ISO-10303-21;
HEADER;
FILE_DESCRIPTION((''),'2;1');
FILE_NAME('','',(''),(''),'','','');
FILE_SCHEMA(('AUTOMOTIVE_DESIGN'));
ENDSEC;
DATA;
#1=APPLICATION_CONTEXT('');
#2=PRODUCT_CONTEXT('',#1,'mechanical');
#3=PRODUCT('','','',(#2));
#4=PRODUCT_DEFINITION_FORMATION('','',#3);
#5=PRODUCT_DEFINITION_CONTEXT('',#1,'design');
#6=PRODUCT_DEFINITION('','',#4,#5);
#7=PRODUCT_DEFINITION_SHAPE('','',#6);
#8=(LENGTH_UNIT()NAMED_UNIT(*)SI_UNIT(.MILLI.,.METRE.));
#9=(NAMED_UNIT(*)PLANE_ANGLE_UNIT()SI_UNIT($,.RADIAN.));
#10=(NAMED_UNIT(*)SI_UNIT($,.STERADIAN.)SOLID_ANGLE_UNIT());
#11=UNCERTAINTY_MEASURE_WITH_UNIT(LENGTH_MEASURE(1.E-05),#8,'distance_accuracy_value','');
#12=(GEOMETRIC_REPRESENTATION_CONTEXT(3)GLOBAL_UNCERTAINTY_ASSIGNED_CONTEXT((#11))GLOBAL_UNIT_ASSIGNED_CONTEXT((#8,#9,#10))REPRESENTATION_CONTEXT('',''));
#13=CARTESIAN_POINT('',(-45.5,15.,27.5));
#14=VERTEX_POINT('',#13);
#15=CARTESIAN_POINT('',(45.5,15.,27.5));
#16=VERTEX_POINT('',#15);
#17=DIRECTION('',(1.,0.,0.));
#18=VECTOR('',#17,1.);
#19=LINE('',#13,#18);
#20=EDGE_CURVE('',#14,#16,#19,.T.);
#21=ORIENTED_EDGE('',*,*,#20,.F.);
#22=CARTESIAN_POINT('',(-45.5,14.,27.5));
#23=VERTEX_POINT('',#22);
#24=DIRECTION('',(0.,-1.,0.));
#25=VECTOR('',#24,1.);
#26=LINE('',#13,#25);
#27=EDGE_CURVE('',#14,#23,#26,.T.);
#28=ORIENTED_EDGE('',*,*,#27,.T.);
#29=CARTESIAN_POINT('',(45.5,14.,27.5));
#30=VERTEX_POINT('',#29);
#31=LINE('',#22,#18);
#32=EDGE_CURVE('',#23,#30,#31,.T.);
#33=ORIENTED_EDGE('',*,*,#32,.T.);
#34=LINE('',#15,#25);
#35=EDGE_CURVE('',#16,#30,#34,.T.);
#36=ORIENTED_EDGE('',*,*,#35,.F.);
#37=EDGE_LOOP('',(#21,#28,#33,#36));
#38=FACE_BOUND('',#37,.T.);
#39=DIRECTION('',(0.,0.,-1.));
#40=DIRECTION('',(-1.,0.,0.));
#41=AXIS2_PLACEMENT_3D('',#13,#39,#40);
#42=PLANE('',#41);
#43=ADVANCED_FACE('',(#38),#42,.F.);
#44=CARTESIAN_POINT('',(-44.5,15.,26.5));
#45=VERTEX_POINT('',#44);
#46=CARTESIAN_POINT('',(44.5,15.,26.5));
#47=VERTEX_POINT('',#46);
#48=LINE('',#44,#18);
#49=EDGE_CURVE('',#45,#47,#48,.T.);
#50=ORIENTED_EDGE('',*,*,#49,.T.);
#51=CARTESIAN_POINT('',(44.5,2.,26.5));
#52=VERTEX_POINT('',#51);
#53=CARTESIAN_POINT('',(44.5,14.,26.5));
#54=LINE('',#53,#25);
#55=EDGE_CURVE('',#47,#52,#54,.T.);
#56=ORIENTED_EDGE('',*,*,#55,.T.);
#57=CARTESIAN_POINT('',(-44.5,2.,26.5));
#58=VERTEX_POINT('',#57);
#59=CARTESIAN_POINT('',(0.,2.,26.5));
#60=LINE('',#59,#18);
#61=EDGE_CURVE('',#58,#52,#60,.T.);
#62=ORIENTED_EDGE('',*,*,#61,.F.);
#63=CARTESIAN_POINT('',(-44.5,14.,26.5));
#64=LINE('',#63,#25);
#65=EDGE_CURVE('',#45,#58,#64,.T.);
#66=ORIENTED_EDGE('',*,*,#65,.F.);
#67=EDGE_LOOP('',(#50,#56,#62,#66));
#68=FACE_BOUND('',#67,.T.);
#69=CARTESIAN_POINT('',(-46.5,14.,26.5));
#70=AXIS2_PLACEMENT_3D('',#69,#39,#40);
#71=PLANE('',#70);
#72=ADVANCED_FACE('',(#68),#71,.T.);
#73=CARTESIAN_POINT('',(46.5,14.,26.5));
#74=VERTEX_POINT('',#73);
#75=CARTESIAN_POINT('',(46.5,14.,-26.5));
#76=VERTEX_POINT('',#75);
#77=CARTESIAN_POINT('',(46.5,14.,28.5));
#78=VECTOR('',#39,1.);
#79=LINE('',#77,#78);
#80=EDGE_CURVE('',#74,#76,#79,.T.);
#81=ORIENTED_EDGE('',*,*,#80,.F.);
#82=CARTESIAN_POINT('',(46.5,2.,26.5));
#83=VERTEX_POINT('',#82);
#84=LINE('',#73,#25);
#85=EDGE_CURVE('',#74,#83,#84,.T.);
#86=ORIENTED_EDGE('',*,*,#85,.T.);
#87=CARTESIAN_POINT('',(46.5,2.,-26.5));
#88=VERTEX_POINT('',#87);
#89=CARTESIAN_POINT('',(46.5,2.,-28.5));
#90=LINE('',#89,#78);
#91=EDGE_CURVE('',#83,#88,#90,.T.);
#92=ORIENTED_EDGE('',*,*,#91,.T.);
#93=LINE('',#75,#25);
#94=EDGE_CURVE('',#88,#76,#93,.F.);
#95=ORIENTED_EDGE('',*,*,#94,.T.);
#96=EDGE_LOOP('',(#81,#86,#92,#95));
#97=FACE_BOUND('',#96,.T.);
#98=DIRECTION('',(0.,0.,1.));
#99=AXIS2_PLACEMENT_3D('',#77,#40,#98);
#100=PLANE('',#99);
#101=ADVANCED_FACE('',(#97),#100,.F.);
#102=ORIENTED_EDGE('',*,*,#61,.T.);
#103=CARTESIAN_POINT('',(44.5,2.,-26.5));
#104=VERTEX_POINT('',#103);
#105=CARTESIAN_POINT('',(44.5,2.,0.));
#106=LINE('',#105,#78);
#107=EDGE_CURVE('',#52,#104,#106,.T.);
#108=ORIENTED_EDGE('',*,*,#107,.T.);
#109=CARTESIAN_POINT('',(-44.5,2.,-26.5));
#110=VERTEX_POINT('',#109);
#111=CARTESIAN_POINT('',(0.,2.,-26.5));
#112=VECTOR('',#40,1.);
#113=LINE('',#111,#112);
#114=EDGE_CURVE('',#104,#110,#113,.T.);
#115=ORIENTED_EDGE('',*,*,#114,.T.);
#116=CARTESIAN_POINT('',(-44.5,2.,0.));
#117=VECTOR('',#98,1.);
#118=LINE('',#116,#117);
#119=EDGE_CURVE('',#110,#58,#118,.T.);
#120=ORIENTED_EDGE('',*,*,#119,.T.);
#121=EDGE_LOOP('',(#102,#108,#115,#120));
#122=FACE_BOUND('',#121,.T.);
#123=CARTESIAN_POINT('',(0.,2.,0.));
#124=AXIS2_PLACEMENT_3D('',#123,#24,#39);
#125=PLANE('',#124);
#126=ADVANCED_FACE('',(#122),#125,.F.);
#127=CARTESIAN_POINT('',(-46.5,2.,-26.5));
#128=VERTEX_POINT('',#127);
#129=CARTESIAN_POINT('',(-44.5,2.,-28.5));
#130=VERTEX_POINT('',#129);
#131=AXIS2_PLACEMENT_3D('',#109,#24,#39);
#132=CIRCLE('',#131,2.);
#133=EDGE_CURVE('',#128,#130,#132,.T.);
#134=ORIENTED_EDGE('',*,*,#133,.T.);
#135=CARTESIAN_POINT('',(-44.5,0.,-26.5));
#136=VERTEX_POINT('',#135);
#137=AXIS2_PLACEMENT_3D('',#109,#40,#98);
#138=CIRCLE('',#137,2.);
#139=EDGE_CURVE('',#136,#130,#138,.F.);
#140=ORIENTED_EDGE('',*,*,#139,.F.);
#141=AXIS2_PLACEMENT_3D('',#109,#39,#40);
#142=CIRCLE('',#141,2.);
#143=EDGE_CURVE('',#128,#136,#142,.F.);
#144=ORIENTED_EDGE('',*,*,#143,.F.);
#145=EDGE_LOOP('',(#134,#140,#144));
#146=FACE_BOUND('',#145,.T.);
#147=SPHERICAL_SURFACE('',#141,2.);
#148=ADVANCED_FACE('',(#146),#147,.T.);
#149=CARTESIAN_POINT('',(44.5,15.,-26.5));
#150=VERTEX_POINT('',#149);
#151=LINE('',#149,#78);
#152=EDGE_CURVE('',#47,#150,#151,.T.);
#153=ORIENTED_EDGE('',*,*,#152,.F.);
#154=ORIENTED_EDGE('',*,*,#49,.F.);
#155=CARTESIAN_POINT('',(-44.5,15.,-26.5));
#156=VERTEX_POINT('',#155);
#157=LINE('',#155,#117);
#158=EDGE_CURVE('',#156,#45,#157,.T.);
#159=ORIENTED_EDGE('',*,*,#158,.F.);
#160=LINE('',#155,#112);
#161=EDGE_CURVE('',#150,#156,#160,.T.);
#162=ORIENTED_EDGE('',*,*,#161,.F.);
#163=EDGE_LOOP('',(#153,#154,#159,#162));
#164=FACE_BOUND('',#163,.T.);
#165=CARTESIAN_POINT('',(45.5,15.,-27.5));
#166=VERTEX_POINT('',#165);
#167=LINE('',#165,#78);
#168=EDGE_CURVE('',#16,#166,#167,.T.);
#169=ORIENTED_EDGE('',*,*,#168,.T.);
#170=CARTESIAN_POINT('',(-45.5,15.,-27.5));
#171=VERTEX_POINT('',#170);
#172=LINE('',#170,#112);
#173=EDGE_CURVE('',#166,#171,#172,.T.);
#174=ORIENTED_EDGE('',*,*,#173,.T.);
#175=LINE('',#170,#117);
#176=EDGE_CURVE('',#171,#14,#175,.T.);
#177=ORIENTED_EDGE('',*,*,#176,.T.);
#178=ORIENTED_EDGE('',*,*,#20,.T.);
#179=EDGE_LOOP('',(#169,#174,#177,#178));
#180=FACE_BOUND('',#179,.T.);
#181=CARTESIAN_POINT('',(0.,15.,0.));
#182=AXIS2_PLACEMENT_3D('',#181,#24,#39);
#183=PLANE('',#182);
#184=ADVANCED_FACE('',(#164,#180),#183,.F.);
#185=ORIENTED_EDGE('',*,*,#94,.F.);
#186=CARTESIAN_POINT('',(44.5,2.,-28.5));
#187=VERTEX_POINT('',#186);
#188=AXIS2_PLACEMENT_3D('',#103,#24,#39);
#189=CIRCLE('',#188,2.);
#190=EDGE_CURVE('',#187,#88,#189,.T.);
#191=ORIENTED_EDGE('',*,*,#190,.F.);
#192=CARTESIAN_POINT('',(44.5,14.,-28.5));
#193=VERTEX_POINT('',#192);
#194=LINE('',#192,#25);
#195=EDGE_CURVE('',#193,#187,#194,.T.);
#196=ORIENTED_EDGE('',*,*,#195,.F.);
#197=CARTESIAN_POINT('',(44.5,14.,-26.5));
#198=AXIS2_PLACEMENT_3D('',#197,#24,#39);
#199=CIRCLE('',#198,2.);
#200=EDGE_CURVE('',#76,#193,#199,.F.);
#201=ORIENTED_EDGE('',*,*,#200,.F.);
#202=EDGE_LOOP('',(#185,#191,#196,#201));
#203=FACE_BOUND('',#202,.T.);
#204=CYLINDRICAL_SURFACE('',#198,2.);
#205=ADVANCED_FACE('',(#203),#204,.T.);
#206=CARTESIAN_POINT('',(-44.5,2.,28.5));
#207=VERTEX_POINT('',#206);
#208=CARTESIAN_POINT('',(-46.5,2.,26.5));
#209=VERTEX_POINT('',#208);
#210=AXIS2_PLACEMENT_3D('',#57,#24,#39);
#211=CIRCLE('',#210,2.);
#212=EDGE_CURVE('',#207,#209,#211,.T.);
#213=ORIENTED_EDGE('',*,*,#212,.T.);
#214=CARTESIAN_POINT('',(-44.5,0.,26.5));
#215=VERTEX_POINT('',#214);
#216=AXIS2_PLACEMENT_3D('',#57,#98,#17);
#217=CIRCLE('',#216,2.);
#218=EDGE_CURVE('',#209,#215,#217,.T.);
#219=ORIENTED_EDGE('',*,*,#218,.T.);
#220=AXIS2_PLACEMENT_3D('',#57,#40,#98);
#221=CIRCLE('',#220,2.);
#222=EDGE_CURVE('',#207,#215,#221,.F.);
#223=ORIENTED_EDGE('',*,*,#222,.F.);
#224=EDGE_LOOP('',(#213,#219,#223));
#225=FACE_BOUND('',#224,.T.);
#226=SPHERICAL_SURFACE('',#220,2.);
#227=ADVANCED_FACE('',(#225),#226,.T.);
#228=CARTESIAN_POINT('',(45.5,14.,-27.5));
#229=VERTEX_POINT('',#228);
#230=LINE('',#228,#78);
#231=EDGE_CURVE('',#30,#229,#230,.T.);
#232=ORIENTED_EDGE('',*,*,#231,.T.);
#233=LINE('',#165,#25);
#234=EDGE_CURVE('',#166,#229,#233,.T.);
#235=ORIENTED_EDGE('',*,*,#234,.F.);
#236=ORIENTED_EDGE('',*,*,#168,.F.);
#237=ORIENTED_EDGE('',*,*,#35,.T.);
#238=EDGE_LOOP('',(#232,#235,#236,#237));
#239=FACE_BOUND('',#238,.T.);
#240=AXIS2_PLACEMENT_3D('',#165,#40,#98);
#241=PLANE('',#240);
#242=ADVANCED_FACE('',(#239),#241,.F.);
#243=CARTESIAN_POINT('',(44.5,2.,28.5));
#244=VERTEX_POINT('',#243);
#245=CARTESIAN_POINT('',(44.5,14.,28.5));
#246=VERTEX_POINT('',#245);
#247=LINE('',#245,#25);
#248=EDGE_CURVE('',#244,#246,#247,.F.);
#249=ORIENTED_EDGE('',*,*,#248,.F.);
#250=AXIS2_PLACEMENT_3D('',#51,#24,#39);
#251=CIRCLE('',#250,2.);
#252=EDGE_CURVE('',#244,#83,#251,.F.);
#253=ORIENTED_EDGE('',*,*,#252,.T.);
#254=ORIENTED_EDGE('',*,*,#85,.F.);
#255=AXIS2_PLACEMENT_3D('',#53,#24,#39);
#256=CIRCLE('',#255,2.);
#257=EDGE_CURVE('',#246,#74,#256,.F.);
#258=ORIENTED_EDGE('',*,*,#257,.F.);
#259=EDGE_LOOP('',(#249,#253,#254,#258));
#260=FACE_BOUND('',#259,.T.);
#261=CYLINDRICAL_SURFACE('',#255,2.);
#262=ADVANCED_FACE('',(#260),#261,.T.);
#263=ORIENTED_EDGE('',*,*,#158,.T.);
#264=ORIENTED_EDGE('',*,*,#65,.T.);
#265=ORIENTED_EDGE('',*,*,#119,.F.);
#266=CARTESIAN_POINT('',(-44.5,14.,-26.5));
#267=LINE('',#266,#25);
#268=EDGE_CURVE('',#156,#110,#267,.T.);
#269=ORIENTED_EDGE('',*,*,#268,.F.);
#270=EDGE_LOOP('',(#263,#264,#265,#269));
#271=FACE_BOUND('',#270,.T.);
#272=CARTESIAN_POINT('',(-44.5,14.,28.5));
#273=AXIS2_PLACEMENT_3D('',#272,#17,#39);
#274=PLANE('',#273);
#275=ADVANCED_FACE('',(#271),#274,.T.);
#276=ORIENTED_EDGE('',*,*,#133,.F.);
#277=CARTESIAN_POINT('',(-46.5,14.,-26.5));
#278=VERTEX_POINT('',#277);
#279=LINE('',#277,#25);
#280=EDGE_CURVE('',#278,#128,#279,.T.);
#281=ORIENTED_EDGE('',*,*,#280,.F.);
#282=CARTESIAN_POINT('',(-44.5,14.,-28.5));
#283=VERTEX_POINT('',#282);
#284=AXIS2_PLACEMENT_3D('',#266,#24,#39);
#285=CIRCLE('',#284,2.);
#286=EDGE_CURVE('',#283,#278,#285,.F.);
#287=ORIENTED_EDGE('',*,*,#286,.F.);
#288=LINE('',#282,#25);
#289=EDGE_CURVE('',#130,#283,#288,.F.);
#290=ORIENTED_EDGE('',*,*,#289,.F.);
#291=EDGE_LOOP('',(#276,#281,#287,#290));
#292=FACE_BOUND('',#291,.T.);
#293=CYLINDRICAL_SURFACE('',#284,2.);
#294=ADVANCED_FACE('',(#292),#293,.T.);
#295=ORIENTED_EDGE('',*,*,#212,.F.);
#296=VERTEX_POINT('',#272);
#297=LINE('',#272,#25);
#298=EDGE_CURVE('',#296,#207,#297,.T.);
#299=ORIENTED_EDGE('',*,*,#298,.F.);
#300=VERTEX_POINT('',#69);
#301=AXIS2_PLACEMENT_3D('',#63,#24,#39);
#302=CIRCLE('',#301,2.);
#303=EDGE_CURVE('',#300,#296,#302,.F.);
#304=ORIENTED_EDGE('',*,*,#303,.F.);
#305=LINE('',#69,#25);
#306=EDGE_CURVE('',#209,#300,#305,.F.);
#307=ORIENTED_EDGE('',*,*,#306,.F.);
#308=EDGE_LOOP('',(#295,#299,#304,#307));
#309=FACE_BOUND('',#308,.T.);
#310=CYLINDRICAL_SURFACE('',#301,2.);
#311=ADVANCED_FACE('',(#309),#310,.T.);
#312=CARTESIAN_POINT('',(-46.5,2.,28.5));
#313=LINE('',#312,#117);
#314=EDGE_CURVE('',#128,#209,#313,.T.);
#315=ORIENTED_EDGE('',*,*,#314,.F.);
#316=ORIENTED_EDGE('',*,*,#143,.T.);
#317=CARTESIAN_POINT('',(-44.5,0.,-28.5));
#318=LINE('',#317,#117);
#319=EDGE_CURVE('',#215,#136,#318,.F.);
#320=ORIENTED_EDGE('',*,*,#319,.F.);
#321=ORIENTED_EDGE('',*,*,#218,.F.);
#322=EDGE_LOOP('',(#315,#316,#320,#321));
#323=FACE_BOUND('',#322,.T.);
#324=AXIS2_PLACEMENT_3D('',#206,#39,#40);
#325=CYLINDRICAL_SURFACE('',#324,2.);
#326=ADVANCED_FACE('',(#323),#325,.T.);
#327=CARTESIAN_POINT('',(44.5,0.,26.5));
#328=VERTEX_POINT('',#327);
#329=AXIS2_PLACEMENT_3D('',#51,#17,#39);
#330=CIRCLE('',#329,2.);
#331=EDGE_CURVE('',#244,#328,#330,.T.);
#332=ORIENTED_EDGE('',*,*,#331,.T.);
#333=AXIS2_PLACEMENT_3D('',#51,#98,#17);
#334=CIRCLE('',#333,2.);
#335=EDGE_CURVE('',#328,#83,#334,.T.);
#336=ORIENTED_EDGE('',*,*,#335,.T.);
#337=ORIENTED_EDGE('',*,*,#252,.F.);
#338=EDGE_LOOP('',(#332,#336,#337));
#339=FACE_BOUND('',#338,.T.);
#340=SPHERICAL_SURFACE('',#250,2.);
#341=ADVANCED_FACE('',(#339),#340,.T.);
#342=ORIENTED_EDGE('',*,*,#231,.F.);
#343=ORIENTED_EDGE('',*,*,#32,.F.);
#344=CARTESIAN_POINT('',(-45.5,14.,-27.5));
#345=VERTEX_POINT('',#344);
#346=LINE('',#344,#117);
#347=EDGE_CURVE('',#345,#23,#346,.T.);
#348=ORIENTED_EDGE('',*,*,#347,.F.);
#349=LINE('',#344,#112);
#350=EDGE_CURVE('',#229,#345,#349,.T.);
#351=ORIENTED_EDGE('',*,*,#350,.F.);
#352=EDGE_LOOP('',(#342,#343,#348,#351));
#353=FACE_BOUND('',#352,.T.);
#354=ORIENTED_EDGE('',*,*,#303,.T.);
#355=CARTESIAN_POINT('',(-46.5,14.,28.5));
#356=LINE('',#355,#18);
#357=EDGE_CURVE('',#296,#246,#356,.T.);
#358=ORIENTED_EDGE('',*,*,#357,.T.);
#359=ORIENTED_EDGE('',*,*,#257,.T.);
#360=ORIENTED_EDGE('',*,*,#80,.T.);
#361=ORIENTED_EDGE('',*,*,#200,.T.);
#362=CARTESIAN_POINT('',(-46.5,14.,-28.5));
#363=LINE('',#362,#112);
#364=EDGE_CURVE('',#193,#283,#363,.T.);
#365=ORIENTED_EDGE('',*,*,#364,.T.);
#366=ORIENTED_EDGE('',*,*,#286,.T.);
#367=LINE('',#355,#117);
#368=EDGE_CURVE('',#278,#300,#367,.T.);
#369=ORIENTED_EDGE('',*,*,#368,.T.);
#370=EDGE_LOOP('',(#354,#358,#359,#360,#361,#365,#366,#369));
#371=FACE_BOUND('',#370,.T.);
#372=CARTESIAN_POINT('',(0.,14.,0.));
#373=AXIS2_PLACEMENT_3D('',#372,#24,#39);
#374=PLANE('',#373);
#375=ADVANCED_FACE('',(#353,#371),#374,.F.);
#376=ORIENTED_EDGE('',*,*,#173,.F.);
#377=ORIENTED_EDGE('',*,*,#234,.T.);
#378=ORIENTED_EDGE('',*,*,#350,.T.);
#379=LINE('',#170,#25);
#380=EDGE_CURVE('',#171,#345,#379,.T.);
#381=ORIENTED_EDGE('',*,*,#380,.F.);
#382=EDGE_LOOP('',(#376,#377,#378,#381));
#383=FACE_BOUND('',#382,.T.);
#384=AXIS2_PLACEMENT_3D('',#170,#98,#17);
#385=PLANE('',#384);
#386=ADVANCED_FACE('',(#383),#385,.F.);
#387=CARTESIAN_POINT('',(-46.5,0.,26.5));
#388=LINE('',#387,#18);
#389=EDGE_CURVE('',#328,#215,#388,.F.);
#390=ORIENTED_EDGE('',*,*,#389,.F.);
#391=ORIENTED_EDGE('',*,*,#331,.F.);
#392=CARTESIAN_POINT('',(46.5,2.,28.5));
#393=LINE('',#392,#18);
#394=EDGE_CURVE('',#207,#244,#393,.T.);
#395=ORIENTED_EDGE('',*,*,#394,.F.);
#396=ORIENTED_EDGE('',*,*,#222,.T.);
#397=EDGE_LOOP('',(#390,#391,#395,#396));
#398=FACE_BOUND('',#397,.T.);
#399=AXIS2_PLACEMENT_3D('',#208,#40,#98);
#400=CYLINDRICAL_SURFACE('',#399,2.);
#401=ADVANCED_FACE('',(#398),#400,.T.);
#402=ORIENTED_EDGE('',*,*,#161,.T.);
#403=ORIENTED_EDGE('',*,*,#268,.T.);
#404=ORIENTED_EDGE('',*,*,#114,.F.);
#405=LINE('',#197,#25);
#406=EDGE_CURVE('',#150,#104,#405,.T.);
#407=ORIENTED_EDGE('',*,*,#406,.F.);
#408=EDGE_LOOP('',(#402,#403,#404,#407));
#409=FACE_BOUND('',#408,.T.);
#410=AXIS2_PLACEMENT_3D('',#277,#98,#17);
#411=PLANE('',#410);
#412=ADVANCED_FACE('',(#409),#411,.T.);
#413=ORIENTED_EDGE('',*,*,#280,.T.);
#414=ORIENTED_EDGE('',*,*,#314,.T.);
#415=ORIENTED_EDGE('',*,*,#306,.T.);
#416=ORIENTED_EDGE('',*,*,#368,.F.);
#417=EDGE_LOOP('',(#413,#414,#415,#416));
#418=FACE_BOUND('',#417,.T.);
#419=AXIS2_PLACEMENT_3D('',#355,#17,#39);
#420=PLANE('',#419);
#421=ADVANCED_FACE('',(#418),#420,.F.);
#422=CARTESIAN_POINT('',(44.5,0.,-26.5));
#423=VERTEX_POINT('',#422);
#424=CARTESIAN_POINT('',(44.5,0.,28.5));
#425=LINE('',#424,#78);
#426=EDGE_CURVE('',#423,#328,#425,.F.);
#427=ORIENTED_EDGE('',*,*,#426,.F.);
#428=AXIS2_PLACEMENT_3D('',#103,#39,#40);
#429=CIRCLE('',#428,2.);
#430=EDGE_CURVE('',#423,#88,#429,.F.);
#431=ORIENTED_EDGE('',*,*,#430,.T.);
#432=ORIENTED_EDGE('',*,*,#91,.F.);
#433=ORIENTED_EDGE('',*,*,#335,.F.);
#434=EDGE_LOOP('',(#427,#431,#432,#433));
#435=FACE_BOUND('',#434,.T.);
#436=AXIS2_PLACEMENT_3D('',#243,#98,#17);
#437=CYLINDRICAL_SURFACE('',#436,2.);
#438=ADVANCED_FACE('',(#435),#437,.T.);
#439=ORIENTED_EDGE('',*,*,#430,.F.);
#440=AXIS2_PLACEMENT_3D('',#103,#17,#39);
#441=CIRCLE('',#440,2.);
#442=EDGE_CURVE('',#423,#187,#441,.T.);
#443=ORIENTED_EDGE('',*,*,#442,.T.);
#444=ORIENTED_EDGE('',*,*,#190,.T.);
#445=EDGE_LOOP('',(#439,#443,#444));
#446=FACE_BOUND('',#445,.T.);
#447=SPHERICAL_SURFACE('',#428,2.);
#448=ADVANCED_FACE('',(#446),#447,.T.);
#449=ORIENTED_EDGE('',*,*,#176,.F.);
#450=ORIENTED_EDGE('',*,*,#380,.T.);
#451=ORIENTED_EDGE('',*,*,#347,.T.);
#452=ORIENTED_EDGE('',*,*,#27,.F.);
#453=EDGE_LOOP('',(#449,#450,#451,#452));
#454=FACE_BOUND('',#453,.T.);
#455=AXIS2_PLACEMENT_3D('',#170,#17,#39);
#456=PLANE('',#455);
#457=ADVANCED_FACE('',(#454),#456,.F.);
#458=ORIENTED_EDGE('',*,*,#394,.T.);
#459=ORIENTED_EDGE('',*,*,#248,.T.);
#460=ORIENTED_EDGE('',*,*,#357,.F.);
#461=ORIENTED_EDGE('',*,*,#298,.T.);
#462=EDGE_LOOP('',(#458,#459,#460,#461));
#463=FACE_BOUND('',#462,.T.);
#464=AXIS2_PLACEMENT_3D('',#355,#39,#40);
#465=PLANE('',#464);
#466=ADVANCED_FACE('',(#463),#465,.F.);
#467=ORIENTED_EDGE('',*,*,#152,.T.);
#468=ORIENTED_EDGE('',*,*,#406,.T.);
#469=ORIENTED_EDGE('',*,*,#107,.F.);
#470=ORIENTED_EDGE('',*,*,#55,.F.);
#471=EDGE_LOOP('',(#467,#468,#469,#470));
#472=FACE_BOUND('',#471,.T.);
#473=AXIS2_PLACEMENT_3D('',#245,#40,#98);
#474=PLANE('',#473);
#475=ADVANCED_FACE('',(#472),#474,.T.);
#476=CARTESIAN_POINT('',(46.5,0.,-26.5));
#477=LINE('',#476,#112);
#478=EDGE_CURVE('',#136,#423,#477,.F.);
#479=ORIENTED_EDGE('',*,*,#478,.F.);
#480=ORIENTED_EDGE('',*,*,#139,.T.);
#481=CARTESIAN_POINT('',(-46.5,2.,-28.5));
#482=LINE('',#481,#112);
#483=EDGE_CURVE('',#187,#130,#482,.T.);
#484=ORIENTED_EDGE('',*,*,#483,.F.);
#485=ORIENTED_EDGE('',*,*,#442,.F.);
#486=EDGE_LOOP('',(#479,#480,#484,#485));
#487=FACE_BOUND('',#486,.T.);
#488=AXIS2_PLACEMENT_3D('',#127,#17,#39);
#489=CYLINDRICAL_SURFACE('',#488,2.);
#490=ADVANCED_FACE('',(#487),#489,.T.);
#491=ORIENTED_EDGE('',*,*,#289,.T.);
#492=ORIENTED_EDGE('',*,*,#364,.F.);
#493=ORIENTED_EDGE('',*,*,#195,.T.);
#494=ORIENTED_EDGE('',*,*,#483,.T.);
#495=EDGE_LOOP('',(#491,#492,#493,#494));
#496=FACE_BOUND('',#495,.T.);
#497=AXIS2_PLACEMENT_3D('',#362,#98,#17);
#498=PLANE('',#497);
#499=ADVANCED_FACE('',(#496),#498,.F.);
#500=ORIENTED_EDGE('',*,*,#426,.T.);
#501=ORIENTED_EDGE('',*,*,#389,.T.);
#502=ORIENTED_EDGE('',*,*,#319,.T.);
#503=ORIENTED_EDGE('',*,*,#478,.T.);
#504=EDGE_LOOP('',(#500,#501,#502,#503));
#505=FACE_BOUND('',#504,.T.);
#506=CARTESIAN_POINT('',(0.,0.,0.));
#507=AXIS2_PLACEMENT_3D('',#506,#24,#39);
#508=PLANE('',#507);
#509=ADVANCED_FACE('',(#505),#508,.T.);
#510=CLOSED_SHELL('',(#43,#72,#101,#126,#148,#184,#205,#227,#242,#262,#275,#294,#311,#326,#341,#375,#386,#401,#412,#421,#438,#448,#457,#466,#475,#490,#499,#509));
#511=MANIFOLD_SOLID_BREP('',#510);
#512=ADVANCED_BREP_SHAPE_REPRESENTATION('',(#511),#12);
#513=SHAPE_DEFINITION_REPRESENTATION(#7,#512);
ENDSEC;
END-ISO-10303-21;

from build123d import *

# Parameters (mm, degrees)
SKETCH1_W           = 93
SKETCH1_H           = 57
BOSS_EXTRUDE1_DEPTH = 14
SHELL1_T            = -2
SKETCH2_W           = 91
SKETCH2_H           = 55
SKETCH2_W_2         = 89
SKETCH2_H_2         = 53
BOSS_EXTRUDE2_DEPTH = 1
FILLET2_R           = 2


with BuildPart() as part:
    # Sketch1 → Boss-Extrude1 (new body)
    with BuildSketch(Plane(origin=(0, 0, 0), x_dir=(1, 0, 0), z_dir=(0, 1, 0))):
        Rectangle(SKETCH1_W, SKETCH1_H)
    extrude(amount=BOSS_EXTRUDE1_DEPTH)

    # Shell1
    shell1_openings = [part.faces().sort_by_distance(p)[0] for p in [
        (0, 14, 0),
    ]]
    offset(amount=SHELL1_T, openings=shell1_openings, kind=Kind.INTERSECTION)

    # Sketch2 → Boss-Extrude2 (add)
    with BuildSketch(Plane(origin=(0, 14, 0), x_dir=(1, 0, 0), z_dir=(0, 1, 0))):
        Rectangle(SKETCH2_W, SKETCH2_H)
        Rectangle(SKETCH2_W_2, SKETCH2_H_2, mode=Mode.SUBTRACT)
    extrude(amount=BOSS_EXTRUDE2_DEPTH)

    # Fillet2
    fillet2_edges = [part.edges().sort_by_distance(p)[0] for p in [
        (0, 0, 28.5),
        (-46.5, 0, 0),
        (0, 0, -28.5),
        (46.5, 0, 0),
        (46.5, 7, 28.5),
        (-46.5, 7, 28.5),
        (-46.5, 7, -28.5),
        (46.5, 7, -28.5),
    ]]
    fillet(fillet2_edges, radius=FILLET2_R)


solid = part.part
